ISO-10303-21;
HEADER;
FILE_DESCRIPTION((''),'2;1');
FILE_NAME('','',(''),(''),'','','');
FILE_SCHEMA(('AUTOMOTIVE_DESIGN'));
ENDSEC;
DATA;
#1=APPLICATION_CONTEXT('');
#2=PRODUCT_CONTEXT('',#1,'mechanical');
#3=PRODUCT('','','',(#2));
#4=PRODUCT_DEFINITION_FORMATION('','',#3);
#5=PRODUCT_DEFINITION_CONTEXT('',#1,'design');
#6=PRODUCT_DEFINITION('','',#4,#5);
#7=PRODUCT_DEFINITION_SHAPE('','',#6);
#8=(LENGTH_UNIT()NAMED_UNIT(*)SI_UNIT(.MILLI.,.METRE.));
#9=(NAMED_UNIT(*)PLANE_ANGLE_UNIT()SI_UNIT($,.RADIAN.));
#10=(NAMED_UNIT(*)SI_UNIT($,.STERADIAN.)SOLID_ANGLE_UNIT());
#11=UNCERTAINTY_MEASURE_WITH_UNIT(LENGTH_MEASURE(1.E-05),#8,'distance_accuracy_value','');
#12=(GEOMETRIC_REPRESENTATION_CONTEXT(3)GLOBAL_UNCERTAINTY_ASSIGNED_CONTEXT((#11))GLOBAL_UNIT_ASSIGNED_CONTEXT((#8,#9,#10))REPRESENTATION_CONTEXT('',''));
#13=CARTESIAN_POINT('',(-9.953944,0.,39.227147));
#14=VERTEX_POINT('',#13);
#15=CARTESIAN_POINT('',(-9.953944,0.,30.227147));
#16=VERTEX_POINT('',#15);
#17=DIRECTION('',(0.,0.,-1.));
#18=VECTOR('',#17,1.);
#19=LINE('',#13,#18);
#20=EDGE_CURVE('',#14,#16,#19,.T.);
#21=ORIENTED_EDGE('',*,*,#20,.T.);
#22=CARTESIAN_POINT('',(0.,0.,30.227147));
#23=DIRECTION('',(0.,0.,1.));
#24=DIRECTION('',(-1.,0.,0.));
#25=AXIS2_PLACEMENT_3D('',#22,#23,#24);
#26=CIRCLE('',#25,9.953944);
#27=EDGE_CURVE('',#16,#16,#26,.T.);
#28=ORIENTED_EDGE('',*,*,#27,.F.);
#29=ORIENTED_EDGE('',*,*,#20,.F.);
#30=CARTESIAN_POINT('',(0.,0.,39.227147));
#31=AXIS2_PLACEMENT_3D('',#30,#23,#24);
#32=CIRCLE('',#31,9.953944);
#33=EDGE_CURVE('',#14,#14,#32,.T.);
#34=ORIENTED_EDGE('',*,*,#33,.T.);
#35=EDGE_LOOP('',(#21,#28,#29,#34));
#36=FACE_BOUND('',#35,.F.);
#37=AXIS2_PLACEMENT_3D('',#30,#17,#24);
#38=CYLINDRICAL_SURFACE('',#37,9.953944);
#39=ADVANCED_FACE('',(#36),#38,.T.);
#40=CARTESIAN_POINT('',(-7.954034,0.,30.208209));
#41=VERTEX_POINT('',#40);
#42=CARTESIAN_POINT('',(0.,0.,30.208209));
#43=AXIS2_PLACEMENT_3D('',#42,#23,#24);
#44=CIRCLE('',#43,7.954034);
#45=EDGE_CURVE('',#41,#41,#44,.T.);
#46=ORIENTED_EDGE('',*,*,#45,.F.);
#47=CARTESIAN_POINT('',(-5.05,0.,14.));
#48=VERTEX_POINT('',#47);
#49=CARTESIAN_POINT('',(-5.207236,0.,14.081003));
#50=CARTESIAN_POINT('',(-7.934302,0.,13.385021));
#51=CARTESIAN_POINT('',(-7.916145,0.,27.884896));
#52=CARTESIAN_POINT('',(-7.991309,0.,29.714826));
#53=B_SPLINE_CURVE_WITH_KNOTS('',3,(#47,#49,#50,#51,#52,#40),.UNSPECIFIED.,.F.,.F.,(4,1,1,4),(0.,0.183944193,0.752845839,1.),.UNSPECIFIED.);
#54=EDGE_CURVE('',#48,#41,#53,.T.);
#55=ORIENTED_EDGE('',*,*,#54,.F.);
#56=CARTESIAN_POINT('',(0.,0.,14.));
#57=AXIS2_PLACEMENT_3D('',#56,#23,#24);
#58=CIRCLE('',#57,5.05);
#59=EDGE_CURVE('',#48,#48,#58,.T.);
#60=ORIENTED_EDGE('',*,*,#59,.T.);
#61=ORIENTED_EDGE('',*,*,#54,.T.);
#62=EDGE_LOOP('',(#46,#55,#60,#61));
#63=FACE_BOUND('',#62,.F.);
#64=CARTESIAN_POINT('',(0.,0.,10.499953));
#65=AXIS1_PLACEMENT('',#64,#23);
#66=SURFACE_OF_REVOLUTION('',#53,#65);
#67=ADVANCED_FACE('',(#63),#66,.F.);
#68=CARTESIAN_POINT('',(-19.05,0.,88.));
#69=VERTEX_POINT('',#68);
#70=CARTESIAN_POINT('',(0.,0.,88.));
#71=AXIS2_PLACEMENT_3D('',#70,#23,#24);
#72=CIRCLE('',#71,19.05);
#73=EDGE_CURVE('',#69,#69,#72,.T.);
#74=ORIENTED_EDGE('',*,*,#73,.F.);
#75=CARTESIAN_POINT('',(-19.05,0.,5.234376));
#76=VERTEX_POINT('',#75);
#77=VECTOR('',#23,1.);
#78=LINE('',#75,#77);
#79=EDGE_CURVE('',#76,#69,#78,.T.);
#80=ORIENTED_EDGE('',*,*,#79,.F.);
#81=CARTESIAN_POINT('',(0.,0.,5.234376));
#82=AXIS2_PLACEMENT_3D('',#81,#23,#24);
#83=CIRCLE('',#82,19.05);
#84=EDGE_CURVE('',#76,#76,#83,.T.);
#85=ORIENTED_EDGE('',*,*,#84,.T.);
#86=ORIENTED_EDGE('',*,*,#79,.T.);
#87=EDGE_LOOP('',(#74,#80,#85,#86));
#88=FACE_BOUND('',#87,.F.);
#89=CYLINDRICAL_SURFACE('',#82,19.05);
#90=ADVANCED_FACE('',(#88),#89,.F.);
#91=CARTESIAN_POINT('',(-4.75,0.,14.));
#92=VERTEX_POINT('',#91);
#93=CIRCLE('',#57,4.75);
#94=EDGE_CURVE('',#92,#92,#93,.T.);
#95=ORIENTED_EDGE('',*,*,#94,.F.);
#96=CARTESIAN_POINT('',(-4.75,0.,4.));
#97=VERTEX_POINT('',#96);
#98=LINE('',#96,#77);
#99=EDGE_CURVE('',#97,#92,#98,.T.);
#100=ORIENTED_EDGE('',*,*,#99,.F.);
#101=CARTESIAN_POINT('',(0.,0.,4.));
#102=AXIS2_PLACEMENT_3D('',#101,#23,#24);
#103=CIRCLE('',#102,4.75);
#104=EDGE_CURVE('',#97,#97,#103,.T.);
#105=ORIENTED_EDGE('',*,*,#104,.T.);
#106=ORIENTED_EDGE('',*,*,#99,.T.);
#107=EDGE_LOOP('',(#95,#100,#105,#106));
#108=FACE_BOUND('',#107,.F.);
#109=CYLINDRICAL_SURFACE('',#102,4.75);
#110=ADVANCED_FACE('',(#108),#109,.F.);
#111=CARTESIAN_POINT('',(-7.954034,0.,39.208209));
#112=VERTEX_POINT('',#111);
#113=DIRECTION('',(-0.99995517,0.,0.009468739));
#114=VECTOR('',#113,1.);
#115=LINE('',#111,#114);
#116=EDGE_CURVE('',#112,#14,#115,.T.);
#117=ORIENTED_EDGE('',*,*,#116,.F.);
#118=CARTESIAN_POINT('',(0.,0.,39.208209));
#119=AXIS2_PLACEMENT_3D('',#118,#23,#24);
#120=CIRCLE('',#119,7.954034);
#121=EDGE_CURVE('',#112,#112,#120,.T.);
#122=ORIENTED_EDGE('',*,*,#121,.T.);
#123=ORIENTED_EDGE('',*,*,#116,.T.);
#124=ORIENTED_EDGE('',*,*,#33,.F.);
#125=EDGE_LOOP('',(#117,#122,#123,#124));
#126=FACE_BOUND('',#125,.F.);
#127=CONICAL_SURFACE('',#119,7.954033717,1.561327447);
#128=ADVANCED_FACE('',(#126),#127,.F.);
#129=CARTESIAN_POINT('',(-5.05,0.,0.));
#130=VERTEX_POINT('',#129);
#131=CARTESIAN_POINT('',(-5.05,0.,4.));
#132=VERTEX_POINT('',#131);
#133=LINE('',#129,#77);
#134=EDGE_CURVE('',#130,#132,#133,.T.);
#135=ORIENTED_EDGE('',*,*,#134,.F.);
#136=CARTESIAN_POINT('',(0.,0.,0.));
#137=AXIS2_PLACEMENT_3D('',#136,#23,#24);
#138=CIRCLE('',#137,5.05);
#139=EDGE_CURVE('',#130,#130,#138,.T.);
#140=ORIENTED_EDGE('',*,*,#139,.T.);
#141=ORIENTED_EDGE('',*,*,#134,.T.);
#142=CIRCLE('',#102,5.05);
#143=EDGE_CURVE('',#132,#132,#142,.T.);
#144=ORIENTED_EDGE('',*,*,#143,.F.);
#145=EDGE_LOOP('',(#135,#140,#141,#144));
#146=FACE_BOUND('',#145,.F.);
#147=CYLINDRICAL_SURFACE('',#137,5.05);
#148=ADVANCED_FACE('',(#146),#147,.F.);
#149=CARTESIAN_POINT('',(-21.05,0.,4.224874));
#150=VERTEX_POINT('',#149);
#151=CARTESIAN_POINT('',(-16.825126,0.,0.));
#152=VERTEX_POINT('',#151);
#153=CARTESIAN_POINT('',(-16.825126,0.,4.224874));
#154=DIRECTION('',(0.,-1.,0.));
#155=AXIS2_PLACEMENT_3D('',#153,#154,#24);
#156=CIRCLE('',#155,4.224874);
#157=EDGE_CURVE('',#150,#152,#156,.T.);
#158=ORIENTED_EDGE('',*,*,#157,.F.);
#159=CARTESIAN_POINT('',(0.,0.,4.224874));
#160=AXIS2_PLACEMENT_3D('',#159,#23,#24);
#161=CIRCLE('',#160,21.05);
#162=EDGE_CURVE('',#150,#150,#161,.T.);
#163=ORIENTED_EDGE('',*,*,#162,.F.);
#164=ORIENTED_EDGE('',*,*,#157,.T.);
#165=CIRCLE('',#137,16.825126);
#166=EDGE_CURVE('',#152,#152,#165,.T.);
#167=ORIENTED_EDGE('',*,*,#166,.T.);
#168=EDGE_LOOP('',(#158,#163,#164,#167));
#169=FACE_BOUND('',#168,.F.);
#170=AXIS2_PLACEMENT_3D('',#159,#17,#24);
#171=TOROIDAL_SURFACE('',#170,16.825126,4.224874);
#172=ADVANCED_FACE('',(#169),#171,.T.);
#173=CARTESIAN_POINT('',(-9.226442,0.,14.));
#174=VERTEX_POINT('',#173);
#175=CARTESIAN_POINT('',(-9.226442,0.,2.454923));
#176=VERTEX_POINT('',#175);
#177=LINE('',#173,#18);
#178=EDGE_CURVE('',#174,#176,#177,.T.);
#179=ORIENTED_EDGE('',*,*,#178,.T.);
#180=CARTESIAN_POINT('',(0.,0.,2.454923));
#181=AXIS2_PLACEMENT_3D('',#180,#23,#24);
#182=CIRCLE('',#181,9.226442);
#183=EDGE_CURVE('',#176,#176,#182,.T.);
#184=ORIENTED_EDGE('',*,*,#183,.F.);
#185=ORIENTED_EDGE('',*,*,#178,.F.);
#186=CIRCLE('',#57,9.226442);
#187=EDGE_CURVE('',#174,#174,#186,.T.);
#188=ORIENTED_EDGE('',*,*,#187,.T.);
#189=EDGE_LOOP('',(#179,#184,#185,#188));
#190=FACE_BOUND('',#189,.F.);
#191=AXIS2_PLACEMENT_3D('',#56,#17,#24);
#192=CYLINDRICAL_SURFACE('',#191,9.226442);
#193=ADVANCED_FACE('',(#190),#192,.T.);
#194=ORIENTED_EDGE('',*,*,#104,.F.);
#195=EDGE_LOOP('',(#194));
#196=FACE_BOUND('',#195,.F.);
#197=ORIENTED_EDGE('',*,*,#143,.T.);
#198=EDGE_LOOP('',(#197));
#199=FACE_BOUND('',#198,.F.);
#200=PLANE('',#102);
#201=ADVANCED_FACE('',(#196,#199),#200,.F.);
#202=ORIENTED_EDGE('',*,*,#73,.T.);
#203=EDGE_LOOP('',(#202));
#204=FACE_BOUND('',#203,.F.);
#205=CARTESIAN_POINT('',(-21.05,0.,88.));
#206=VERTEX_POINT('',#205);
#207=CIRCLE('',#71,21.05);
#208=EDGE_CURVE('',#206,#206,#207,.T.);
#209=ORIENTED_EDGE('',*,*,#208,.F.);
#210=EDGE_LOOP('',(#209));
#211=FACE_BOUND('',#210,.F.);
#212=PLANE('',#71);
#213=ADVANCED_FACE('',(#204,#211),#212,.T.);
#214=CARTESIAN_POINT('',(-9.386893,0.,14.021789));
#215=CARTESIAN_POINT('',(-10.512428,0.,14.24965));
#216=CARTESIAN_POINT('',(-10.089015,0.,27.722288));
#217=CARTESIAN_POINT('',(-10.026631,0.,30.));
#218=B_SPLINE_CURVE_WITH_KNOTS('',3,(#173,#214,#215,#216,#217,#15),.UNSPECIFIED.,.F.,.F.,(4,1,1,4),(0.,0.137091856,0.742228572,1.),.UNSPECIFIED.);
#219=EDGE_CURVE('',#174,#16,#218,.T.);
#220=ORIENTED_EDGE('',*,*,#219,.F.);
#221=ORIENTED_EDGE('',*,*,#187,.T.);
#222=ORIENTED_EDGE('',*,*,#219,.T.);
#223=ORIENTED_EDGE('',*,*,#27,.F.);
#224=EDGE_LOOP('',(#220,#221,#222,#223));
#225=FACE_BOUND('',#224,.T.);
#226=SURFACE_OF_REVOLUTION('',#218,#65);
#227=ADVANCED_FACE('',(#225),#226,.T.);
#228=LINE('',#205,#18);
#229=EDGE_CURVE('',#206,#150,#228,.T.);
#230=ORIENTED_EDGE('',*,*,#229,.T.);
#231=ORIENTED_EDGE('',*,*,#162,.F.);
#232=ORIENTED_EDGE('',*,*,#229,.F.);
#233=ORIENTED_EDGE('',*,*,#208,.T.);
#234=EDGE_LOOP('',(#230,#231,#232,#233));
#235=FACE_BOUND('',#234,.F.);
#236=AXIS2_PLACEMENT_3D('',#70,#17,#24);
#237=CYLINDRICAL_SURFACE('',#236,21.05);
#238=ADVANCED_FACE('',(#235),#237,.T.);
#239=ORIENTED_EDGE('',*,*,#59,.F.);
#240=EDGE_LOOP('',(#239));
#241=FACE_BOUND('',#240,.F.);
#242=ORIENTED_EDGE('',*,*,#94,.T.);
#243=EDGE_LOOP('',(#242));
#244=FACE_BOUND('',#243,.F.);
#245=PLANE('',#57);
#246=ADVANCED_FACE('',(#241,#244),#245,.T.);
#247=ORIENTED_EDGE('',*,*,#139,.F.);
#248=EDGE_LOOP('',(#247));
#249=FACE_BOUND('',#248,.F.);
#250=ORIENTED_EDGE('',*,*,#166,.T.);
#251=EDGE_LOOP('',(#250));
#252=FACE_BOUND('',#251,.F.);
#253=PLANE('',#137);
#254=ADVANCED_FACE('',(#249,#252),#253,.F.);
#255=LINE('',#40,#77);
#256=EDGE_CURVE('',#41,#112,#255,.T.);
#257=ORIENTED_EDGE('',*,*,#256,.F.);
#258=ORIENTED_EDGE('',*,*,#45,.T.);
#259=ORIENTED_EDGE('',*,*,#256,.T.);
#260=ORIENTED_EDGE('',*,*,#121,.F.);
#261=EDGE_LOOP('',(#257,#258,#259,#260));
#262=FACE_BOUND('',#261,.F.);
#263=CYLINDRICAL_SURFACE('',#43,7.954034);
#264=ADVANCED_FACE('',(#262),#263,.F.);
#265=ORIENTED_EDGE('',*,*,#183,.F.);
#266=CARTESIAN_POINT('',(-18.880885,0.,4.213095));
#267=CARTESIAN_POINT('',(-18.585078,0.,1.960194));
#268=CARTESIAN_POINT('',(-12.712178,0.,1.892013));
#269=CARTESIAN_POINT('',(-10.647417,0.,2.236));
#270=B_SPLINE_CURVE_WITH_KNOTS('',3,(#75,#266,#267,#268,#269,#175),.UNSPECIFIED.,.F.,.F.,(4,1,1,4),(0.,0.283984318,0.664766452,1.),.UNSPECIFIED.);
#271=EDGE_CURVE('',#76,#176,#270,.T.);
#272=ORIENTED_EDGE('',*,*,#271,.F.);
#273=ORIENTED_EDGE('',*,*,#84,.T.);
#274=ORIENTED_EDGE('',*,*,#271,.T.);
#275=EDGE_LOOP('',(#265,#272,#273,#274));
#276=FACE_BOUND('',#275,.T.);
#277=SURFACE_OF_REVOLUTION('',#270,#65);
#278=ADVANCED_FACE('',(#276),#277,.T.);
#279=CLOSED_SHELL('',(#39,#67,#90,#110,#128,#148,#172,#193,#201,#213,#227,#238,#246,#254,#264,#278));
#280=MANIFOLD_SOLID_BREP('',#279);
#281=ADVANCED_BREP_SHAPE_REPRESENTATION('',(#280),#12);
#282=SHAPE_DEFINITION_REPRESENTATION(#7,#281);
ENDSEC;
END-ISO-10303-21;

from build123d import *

# Parameters (mm, degrees)
F2_R = 4.2248737342


with BuildPart() as f1:
    # F0 (on Front) → F1 (revolve)
    with BuildSketch(Plane.XZ):
        with BuildLine():
            Line((-9.2264421542, 14), (-5.05, 14))
            add(Edge.make_bspline(
                [(-5.05, 14), (-5.2072363825, 14.0810028272), (-7.9343017899, 13.3850205174), (-7.9161451117, 27.8848960237), (-7.9913089744, 29.7148263859), (-7.9540337168, 30.2082094767)],
                knots=[0, 0, 0, 0, 0.1839441933, 0.7528458391, 1, 1, 1, 1], degree=3))
            Line((-7.9540337168, 30.2082094767), (-7.9540337168, 39.2082094767))
            Line((-7.9540337168, 39.2082094767), (-9.9539440577, 39.2271469541))
            Line((-9.9539440577, 39.2271469541), (-9.9539440577, 30.2271469541))
            add(Edge.make_bspline(
                [(-9.2264421542, 14), (-9.3868926202, 14.0217893951), (-10.5124276426, 14.24964973), (-10.0890154715, 27.7222878167), (-10.0266310522, 30), (-9.9539440577, 30.2271469541)],
                knots=[0, 0, 0, 0, 0.1370918561, 0.7422285722, 1, 1, 1, 1], degree=3))
        make_face()
        with BuildLine():
            Line((-8.05, 0), (-5.05, 0))
            Line((-5.05, 0), (-5.05, 4))
            Line((-5.05, 4), (-4.75, 4))
            Line((-4.75, 4), (-4.75, 14))
            Line((-4.75, 14), (-5.05, 14))
            Line((-5.05, 14), (-9.2264421542, 14))
            Line((-9.2264421542, 14), (-9.2264421542, 2.4549234658))
            add(Edge.make_bspline(
                [(-19.05, 5.2343760617), (-18.8808851703, 4.2130953372), (-18.5850778449, 1.9601937624), (-12.7121775245, 1.892012544), (-10.6474171038, 2.2360002455), (-9.2264421542, 2.4549234658)],
                knots=[0, 0, 0, 0, 0.2839843179, 0.664766452, 1, 1, 1, 1], degree=3))
            Line((-19.05, 5.2343760617), (-19.05, 88))
            Line((-19.05, 88), (-21.05, 88))
            Line((-21.05, 88), (-21.05, 0))
            Line((-21.05, 0), (-8.05, 0))
        make_face()
    revolve(axis=Axis((0, 0, 10.4999532923), (0, 0, 1)))

    # F2
    f2_edges = [f1.edges().sort_by_distance(p)[0] for p in [
        (21.05, 0, 0),
    ]]
    fillet(f2_edges, radius=F2_R)


solid = f1.part
